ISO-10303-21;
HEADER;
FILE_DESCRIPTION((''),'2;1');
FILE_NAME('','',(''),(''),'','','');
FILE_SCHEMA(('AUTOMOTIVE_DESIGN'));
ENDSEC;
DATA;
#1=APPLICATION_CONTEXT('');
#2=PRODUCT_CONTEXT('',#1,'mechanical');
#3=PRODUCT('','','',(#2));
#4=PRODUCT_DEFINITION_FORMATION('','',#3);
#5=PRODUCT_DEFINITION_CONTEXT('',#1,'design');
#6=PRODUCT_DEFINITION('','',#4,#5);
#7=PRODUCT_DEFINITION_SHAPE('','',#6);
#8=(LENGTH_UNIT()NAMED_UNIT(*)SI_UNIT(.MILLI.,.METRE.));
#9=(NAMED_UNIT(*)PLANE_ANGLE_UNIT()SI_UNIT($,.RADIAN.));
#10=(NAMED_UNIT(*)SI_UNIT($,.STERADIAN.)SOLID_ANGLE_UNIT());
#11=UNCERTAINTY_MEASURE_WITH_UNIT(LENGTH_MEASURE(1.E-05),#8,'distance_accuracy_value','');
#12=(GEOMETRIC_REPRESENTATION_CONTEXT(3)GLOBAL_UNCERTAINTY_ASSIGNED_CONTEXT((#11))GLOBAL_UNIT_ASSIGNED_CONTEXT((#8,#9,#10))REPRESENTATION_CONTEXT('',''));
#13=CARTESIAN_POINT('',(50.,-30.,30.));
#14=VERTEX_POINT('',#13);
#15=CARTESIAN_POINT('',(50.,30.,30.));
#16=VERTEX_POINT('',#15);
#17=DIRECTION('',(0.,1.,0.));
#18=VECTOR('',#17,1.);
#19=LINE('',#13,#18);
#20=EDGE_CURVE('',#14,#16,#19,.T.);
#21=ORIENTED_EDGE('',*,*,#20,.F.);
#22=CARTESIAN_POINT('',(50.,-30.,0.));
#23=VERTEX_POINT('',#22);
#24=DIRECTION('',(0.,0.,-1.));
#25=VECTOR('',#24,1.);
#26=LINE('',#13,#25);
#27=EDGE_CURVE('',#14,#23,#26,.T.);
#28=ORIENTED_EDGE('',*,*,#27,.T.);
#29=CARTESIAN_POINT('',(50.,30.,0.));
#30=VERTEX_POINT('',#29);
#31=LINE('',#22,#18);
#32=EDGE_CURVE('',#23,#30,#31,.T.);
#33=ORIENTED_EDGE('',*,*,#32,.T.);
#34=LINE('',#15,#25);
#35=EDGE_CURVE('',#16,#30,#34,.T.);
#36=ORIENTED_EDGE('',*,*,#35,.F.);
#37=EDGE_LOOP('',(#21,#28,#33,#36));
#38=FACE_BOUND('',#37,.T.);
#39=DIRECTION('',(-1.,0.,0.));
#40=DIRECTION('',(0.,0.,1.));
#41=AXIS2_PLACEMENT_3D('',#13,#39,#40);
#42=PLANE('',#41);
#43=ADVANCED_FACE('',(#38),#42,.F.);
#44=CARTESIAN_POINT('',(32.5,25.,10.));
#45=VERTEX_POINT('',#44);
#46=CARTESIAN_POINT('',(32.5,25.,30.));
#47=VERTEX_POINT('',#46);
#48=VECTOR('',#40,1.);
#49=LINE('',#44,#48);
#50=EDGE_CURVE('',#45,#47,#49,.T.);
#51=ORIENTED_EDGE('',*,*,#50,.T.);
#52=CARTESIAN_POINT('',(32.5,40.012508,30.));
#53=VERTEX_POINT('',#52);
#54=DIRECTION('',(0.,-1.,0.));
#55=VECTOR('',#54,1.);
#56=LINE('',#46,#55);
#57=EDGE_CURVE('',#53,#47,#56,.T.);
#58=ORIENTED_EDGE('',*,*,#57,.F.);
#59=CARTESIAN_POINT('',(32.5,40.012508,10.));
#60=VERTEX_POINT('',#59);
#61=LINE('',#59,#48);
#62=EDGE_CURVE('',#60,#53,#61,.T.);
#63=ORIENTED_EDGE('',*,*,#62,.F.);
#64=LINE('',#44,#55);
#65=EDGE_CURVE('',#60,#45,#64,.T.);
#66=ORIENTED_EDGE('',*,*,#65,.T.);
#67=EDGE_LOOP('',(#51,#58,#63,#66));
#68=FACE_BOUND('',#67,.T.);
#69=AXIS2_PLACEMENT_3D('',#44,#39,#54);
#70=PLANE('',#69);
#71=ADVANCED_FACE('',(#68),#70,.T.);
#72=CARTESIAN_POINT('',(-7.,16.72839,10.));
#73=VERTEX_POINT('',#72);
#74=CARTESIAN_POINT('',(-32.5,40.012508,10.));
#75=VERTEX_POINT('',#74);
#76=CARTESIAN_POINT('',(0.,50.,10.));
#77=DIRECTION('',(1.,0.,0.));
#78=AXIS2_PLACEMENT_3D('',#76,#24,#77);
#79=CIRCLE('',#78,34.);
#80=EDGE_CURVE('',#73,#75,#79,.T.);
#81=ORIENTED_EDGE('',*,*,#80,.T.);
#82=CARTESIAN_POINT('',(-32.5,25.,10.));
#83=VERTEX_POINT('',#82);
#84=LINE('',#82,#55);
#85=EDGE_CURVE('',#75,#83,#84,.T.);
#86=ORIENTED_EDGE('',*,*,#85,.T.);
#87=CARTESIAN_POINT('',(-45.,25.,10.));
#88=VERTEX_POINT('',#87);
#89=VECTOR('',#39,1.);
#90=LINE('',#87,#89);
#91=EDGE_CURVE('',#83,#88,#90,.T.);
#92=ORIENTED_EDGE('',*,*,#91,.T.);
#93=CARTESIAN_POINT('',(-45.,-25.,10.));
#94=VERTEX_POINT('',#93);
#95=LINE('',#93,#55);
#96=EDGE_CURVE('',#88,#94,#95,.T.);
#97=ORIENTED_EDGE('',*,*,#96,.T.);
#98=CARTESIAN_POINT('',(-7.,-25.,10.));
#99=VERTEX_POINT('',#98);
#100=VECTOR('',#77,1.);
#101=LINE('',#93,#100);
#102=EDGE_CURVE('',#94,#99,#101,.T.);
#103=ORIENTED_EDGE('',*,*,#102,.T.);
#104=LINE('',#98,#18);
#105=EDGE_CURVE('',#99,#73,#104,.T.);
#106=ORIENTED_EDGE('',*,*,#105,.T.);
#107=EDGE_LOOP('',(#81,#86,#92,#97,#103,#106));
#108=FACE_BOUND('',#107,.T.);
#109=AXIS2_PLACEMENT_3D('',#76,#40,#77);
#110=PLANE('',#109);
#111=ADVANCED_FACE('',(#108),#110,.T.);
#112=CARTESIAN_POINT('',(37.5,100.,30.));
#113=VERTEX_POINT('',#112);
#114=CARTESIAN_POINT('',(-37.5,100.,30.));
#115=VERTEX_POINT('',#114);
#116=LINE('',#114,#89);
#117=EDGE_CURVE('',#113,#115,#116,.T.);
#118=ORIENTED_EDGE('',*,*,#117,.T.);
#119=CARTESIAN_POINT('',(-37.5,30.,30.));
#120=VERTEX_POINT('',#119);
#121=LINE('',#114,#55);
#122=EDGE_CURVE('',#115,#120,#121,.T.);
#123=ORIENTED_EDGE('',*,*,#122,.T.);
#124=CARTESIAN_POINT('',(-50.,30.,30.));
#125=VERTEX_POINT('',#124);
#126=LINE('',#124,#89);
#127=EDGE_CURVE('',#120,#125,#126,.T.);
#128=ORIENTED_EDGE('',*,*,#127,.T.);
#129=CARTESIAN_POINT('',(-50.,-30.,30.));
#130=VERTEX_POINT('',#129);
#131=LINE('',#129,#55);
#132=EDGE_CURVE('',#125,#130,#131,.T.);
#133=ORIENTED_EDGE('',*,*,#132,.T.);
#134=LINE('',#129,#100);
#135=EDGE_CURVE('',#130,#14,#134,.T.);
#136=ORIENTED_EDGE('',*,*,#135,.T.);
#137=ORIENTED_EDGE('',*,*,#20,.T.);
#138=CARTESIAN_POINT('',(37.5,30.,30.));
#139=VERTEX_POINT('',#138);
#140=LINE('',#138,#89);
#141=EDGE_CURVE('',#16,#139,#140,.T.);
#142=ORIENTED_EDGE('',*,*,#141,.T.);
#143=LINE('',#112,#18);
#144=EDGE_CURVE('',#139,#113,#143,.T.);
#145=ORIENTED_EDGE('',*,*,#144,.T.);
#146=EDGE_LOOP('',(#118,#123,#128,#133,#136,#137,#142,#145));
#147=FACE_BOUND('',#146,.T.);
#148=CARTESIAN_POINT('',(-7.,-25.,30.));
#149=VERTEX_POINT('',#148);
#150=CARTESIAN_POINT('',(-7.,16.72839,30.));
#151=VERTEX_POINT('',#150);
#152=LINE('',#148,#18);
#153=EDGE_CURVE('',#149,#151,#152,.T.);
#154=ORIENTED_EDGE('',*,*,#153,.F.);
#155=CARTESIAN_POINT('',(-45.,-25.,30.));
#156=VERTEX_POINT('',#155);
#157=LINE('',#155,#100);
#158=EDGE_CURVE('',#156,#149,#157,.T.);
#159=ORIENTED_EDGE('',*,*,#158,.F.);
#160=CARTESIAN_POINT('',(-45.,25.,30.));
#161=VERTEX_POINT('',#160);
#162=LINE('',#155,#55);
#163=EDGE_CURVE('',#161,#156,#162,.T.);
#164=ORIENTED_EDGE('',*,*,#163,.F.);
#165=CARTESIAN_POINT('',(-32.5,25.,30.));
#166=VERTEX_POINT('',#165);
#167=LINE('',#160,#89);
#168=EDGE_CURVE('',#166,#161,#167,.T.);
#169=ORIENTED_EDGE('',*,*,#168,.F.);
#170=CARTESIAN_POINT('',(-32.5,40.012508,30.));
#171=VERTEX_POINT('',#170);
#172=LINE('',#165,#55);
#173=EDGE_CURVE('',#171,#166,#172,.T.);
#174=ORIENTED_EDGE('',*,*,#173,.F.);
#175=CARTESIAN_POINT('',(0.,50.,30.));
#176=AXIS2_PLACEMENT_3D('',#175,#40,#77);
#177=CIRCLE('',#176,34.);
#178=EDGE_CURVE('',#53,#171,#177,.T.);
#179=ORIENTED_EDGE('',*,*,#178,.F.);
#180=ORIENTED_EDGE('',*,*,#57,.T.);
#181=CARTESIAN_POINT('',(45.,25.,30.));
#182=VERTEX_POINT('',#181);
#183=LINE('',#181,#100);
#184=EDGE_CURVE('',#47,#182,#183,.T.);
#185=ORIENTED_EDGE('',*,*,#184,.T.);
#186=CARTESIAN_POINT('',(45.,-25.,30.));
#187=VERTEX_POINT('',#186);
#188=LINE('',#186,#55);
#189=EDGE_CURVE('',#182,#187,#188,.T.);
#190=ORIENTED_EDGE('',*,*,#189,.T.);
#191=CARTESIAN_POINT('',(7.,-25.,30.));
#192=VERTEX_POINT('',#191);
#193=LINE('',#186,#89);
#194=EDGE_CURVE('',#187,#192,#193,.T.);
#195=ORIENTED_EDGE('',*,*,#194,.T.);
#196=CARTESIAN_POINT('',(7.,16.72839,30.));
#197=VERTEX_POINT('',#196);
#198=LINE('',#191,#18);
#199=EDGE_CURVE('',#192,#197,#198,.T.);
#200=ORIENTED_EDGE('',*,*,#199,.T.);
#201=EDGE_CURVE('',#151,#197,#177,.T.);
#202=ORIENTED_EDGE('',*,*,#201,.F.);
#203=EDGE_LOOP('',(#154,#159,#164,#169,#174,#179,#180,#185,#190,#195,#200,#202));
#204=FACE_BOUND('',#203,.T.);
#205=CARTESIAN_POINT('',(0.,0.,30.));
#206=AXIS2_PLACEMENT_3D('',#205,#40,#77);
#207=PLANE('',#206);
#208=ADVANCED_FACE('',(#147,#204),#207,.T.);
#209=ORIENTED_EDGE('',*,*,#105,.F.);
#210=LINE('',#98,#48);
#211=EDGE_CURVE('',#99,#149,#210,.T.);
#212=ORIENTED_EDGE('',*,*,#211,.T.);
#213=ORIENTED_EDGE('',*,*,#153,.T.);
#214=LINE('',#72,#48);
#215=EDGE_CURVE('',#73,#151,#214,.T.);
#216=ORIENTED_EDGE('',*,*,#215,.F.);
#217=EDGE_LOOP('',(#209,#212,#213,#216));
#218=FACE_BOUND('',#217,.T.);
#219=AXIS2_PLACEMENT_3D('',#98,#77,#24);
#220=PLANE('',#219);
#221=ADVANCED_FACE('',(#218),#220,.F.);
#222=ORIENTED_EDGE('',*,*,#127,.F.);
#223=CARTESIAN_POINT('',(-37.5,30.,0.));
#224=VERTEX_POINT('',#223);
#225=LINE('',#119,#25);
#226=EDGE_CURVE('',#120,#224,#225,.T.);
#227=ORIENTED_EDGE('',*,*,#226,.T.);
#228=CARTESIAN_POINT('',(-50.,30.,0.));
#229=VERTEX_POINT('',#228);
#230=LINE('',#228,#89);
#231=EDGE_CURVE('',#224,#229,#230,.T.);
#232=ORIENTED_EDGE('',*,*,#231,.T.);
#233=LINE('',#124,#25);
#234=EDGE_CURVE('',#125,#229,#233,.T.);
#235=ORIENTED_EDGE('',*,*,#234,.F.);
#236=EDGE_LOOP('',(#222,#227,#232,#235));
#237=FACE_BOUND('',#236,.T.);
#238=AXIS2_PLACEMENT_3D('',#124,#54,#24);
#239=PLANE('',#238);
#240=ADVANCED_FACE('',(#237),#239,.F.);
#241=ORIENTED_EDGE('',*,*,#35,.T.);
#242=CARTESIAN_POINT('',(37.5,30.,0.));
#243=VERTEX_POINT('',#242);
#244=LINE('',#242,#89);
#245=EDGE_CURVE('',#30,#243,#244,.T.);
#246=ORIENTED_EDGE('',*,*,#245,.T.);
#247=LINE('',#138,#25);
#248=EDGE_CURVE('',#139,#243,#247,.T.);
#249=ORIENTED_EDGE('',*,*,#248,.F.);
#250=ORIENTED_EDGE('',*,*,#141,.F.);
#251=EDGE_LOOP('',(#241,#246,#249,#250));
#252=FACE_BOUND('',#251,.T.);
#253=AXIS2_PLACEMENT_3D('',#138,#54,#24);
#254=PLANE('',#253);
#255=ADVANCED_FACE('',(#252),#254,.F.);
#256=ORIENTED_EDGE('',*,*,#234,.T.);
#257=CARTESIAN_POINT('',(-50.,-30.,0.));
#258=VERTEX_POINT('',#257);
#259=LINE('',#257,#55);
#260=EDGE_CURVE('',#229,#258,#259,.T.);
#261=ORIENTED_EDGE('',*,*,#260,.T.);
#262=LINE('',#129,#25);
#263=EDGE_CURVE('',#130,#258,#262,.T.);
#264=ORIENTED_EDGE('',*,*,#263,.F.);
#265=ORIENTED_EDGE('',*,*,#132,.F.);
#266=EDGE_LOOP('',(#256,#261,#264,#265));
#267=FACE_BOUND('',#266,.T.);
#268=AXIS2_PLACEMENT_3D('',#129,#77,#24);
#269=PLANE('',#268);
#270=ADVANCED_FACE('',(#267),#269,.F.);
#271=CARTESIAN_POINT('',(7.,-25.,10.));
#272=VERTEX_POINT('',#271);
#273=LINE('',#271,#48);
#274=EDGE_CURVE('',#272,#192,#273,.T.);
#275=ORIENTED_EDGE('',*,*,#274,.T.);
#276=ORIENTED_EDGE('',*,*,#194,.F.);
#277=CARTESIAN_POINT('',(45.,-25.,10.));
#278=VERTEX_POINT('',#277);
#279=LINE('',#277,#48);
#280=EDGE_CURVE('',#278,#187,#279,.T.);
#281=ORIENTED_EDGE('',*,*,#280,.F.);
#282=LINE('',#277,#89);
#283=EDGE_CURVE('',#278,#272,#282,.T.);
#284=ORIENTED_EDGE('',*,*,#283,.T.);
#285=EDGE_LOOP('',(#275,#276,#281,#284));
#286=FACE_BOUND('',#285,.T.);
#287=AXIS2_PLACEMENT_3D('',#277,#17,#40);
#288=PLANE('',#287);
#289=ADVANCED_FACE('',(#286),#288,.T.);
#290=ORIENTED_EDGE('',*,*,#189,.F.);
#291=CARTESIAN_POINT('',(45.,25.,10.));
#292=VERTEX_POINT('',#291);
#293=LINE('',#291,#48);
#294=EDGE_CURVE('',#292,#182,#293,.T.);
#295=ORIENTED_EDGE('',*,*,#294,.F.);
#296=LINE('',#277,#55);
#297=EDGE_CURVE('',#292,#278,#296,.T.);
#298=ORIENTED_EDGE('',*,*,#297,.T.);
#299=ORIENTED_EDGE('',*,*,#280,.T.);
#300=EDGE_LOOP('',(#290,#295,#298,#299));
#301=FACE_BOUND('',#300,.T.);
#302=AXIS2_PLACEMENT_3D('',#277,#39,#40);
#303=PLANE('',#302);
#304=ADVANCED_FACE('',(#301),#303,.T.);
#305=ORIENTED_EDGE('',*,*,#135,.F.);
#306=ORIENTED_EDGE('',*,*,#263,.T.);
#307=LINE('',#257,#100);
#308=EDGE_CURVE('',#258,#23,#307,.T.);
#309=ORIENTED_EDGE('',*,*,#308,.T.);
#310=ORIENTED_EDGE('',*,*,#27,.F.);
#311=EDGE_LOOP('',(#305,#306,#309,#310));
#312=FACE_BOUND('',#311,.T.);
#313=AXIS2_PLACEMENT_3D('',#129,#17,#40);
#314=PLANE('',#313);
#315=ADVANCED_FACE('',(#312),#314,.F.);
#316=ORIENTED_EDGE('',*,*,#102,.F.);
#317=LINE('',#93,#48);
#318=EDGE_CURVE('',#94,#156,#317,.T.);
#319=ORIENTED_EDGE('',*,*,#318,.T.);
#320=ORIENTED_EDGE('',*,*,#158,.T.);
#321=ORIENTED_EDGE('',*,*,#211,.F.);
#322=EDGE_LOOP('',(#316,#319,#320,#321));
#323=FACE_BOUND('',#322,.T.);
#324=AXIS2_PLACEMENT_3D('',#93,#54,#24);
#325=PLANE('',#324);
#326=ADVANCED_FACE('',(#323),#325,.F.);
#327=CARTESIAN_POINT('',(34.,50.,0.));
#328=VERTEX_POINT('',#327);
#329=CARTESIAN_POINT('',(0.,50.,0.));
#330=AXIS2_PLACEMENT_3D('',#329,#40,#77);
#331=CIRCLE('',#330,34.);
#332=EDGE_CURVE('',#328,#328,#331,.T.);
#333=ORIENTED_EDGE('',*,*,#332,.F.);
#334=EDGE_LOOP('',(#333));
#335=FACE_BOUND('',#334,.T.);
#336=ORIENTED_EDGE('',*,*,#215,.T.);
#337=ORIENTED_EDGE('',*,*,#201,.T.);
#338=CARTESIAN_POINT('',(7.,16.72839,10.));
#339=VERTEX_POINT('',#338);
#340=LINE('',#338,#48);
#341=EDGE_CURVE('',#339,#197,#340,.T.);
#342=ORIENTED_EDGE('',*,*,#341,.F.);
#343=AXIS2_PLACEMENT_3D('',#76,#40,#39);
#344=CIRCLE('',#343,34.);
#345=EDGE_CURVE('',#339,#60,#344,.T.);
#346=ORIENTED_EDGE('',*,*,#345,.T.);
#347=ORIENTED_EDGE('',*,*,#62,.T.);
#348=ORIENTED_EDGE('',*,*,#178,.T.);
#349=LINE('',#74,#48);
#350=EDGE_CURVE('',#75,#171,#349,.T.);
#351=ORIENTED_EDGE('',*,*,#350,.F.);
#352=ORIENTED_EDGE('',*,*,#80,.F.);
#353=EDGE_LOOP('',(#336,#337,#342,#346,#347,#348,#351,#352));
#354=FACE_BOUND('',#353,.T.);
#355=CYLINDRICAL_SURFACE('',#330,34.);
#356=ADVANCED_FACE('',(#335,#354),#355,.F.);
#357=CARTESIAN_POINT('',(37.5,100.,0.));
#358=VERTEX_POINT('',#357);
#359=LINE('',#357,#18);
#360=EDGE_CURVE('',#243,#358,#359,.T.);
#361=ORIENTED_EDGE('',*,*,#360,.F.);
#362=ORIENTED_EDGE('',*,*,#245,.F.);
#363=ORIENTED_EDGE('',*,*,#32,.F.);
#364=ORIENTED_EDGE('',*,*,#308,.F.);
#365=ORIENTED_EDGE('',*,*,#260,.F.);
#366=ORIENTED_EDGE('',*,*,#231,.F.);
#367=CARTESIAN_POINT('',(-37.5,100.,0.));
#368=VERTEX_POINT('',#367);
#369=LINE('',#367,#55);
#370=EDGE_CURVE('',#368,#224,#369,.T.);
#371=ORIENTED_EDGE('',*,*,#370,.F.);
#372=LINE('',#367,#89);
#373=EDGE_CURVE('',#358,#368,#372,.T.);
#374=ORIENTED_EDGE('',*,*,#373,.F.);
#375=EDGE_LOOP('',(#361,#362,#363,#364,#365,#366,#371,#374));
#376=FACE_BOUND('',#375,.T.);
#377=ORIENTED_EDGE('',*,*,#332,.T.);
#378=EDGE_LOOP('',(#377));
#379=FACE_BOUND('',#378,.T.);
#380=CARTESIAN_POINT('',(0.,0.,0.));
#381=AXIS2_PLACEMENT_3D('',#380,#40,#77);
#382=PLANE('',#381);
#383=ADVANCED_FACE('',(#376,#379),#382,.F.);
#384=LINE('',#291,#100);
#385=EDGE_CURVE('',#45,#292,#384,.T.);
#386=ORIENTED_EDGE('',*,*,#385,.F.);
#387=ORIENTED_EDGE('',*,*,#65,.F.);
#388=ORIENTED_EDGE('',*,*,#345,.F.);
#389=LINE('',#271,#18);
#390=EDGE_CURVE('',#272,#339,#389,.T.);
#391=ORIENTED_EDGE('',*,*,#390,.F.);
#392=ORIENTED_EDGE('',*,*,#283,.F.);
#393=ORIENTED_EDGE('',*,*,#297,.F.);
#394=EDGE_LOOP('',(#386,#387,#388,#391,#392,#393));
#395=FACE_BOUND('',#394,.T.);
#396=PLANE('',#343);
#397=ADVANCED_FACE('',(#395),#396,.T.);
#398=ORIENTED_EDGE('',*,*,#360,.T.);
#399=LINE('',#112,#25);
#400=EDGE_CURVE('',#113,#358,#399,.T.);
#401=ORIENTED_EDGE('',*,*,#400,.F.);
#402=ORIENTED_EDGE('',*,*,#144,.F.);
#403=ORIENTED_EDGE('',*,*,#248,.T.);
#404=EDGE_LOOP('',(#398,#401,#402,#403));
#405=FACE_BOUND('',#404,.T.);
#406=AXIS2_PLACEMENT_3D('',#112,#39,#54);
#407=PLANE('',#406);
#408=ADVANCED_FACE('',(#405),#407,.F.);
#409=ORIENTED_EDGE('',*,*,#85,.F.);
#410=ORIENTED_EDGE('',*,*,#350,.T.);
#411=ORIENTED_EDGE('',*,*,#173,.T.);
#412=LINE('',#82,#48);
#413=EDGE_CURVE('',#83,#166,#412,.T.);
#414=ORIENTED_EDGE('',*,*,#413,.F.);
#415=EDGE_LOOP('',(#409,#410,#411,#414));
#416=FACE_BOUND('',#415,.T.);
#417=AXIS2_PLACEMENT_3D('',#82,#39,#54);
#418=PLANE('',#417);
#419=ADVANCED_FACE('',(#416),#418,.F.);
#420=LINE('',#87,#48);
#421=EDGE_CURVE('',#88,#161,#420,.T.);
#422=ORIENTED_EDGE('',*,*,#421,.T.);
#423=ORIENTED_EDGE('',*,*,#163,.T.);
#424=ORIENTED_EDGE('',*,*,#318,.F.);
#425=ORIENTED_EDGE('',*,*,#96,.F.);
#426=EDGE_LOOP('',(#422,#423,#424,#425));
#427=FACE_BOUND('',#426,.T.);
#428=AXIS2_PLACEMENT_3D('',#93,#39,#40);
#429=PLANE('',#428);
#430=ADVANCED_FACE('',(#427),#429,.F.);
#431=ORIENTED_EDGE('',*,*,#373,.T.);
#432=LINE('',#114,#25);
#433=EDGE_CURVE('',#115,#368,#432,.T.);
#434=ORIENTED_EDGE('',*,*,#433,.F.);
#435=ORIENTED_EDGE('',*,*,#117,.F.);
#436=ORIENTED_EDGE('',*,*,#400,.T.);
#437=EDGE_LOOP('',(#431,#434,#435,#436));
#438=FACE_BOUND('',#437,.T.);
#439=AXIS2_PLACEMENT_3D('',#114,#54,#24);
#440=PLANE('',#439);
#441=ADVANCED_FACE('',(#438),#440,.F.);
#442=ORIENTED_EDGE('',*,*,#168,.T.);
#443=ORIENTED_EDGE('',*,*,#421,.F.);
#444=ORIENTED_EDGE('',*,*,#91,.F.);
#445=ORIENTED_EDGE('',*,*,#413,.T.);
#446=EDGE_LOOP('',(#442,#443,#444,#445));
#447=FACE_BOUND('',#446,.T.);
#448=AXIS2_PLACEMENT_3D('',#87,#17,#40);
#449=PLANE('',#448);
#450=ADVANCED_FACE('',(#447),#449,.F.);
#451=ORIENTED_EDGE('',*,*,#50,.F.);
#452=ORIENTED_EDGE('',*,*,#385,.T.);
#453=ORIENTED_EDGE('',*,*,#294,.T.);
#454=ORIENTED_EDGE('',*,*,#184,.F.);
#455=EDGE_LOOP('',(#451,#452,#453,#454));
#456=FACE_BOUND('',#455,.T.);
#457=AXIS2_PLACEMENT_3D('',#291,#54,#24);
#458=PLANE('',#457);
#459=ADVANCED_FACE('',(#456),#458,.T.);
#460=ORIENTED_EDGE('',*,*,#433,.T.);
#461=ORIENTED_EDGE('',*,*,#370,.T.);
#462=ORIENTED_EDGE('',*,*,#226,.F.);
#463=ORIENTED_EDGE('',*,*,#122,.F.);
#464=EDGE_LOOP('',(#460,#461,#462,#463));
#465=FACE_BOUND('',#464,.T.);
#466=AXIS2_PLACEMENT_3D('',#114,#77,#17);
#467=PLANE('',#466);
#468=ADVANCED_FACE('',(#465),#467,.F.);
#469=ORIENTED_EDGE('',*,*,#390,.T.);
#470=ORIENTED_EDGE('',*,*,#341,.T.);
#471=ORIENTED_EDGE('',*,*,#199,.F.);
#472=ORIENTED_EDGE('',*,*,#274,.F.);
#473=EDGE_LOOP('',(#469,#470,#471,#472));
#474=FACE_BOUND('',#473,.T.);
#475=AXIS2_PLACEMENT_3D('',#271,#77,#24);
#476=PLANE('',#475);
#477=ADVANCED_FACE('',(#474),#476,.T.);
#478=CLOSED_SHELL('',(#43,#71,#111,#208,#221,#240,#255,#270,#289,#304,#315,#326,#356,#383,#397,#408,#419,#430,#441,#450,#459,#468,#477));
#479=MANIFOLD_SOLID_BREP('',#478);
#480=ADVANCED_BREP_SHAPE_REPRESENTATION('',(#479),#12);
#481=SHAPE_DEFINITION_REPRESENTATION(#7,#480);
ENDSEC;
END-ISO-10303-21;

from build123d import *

# Parameters (mm, degrees)
EXTRUDE_1_DEPTH     = 30
SKETCH_2_R          = 34
CUT_EXTRUDE_1_DEPTH = 116.758369028
CUT_EXTRUDE_2_DEPTH = 20


with BuildPart() as part:
    # 草圖1 → 填料-伸長1 (new body)
    with BuildSketch(Plane.XY):
        Polygon((-50, -30), (50, -30), (50, 30), (37.5, 30), (37.5, 100), (-37.5, 100), (-37.5, 30), (-50, 30), align=None)
    extrude(amount=EXTRUDE_1_DEPTH)

    # 草圖2 → 除料-伸長1 (cut, through all)
    with BuildSketch(Plane.XY.offset(30)):
        with Locations((0, 50)):
            Circle(SKETCH_2_R)
    extrude(amount=-CUT_EXTRUDE_1_DEPTH, mode=Mode.SUBTRACT)

    # 草圖3 → 除料-伸長2 (cut)
    with BuildSketch(Plane.XY.offset(30)):
        with BuildLine():
            Line((-45, -25), (-7, -25))
            Line((-7, -25), (-7, 16.728390481))
            ThreePointArc((-7, 16.728390481), (-22.925968466, 24.892232877), (-32.5, 40.012507822))
            Line((-32.5, 40.012507822), (-32.5, 25))
            Line((-32.5, 25), (-45, 25))
            Line((-45, 25), (-45, -25))
        make_face()
    cut_extrude_2 = extrude(amount=-CUT_EXTRUDE_2_DEPTH, mode=Mode.SUBTRACT)

    # 鏡射1: 除料-伸長2 across plane
    add(cut_extrude_2.mirror(Plane(origin=(0, 0, 0), x_dir=(0, 0, 1), z_dir=(1, 0, 0))), mode=Mode.SUBTRACT)


solid = part.part
